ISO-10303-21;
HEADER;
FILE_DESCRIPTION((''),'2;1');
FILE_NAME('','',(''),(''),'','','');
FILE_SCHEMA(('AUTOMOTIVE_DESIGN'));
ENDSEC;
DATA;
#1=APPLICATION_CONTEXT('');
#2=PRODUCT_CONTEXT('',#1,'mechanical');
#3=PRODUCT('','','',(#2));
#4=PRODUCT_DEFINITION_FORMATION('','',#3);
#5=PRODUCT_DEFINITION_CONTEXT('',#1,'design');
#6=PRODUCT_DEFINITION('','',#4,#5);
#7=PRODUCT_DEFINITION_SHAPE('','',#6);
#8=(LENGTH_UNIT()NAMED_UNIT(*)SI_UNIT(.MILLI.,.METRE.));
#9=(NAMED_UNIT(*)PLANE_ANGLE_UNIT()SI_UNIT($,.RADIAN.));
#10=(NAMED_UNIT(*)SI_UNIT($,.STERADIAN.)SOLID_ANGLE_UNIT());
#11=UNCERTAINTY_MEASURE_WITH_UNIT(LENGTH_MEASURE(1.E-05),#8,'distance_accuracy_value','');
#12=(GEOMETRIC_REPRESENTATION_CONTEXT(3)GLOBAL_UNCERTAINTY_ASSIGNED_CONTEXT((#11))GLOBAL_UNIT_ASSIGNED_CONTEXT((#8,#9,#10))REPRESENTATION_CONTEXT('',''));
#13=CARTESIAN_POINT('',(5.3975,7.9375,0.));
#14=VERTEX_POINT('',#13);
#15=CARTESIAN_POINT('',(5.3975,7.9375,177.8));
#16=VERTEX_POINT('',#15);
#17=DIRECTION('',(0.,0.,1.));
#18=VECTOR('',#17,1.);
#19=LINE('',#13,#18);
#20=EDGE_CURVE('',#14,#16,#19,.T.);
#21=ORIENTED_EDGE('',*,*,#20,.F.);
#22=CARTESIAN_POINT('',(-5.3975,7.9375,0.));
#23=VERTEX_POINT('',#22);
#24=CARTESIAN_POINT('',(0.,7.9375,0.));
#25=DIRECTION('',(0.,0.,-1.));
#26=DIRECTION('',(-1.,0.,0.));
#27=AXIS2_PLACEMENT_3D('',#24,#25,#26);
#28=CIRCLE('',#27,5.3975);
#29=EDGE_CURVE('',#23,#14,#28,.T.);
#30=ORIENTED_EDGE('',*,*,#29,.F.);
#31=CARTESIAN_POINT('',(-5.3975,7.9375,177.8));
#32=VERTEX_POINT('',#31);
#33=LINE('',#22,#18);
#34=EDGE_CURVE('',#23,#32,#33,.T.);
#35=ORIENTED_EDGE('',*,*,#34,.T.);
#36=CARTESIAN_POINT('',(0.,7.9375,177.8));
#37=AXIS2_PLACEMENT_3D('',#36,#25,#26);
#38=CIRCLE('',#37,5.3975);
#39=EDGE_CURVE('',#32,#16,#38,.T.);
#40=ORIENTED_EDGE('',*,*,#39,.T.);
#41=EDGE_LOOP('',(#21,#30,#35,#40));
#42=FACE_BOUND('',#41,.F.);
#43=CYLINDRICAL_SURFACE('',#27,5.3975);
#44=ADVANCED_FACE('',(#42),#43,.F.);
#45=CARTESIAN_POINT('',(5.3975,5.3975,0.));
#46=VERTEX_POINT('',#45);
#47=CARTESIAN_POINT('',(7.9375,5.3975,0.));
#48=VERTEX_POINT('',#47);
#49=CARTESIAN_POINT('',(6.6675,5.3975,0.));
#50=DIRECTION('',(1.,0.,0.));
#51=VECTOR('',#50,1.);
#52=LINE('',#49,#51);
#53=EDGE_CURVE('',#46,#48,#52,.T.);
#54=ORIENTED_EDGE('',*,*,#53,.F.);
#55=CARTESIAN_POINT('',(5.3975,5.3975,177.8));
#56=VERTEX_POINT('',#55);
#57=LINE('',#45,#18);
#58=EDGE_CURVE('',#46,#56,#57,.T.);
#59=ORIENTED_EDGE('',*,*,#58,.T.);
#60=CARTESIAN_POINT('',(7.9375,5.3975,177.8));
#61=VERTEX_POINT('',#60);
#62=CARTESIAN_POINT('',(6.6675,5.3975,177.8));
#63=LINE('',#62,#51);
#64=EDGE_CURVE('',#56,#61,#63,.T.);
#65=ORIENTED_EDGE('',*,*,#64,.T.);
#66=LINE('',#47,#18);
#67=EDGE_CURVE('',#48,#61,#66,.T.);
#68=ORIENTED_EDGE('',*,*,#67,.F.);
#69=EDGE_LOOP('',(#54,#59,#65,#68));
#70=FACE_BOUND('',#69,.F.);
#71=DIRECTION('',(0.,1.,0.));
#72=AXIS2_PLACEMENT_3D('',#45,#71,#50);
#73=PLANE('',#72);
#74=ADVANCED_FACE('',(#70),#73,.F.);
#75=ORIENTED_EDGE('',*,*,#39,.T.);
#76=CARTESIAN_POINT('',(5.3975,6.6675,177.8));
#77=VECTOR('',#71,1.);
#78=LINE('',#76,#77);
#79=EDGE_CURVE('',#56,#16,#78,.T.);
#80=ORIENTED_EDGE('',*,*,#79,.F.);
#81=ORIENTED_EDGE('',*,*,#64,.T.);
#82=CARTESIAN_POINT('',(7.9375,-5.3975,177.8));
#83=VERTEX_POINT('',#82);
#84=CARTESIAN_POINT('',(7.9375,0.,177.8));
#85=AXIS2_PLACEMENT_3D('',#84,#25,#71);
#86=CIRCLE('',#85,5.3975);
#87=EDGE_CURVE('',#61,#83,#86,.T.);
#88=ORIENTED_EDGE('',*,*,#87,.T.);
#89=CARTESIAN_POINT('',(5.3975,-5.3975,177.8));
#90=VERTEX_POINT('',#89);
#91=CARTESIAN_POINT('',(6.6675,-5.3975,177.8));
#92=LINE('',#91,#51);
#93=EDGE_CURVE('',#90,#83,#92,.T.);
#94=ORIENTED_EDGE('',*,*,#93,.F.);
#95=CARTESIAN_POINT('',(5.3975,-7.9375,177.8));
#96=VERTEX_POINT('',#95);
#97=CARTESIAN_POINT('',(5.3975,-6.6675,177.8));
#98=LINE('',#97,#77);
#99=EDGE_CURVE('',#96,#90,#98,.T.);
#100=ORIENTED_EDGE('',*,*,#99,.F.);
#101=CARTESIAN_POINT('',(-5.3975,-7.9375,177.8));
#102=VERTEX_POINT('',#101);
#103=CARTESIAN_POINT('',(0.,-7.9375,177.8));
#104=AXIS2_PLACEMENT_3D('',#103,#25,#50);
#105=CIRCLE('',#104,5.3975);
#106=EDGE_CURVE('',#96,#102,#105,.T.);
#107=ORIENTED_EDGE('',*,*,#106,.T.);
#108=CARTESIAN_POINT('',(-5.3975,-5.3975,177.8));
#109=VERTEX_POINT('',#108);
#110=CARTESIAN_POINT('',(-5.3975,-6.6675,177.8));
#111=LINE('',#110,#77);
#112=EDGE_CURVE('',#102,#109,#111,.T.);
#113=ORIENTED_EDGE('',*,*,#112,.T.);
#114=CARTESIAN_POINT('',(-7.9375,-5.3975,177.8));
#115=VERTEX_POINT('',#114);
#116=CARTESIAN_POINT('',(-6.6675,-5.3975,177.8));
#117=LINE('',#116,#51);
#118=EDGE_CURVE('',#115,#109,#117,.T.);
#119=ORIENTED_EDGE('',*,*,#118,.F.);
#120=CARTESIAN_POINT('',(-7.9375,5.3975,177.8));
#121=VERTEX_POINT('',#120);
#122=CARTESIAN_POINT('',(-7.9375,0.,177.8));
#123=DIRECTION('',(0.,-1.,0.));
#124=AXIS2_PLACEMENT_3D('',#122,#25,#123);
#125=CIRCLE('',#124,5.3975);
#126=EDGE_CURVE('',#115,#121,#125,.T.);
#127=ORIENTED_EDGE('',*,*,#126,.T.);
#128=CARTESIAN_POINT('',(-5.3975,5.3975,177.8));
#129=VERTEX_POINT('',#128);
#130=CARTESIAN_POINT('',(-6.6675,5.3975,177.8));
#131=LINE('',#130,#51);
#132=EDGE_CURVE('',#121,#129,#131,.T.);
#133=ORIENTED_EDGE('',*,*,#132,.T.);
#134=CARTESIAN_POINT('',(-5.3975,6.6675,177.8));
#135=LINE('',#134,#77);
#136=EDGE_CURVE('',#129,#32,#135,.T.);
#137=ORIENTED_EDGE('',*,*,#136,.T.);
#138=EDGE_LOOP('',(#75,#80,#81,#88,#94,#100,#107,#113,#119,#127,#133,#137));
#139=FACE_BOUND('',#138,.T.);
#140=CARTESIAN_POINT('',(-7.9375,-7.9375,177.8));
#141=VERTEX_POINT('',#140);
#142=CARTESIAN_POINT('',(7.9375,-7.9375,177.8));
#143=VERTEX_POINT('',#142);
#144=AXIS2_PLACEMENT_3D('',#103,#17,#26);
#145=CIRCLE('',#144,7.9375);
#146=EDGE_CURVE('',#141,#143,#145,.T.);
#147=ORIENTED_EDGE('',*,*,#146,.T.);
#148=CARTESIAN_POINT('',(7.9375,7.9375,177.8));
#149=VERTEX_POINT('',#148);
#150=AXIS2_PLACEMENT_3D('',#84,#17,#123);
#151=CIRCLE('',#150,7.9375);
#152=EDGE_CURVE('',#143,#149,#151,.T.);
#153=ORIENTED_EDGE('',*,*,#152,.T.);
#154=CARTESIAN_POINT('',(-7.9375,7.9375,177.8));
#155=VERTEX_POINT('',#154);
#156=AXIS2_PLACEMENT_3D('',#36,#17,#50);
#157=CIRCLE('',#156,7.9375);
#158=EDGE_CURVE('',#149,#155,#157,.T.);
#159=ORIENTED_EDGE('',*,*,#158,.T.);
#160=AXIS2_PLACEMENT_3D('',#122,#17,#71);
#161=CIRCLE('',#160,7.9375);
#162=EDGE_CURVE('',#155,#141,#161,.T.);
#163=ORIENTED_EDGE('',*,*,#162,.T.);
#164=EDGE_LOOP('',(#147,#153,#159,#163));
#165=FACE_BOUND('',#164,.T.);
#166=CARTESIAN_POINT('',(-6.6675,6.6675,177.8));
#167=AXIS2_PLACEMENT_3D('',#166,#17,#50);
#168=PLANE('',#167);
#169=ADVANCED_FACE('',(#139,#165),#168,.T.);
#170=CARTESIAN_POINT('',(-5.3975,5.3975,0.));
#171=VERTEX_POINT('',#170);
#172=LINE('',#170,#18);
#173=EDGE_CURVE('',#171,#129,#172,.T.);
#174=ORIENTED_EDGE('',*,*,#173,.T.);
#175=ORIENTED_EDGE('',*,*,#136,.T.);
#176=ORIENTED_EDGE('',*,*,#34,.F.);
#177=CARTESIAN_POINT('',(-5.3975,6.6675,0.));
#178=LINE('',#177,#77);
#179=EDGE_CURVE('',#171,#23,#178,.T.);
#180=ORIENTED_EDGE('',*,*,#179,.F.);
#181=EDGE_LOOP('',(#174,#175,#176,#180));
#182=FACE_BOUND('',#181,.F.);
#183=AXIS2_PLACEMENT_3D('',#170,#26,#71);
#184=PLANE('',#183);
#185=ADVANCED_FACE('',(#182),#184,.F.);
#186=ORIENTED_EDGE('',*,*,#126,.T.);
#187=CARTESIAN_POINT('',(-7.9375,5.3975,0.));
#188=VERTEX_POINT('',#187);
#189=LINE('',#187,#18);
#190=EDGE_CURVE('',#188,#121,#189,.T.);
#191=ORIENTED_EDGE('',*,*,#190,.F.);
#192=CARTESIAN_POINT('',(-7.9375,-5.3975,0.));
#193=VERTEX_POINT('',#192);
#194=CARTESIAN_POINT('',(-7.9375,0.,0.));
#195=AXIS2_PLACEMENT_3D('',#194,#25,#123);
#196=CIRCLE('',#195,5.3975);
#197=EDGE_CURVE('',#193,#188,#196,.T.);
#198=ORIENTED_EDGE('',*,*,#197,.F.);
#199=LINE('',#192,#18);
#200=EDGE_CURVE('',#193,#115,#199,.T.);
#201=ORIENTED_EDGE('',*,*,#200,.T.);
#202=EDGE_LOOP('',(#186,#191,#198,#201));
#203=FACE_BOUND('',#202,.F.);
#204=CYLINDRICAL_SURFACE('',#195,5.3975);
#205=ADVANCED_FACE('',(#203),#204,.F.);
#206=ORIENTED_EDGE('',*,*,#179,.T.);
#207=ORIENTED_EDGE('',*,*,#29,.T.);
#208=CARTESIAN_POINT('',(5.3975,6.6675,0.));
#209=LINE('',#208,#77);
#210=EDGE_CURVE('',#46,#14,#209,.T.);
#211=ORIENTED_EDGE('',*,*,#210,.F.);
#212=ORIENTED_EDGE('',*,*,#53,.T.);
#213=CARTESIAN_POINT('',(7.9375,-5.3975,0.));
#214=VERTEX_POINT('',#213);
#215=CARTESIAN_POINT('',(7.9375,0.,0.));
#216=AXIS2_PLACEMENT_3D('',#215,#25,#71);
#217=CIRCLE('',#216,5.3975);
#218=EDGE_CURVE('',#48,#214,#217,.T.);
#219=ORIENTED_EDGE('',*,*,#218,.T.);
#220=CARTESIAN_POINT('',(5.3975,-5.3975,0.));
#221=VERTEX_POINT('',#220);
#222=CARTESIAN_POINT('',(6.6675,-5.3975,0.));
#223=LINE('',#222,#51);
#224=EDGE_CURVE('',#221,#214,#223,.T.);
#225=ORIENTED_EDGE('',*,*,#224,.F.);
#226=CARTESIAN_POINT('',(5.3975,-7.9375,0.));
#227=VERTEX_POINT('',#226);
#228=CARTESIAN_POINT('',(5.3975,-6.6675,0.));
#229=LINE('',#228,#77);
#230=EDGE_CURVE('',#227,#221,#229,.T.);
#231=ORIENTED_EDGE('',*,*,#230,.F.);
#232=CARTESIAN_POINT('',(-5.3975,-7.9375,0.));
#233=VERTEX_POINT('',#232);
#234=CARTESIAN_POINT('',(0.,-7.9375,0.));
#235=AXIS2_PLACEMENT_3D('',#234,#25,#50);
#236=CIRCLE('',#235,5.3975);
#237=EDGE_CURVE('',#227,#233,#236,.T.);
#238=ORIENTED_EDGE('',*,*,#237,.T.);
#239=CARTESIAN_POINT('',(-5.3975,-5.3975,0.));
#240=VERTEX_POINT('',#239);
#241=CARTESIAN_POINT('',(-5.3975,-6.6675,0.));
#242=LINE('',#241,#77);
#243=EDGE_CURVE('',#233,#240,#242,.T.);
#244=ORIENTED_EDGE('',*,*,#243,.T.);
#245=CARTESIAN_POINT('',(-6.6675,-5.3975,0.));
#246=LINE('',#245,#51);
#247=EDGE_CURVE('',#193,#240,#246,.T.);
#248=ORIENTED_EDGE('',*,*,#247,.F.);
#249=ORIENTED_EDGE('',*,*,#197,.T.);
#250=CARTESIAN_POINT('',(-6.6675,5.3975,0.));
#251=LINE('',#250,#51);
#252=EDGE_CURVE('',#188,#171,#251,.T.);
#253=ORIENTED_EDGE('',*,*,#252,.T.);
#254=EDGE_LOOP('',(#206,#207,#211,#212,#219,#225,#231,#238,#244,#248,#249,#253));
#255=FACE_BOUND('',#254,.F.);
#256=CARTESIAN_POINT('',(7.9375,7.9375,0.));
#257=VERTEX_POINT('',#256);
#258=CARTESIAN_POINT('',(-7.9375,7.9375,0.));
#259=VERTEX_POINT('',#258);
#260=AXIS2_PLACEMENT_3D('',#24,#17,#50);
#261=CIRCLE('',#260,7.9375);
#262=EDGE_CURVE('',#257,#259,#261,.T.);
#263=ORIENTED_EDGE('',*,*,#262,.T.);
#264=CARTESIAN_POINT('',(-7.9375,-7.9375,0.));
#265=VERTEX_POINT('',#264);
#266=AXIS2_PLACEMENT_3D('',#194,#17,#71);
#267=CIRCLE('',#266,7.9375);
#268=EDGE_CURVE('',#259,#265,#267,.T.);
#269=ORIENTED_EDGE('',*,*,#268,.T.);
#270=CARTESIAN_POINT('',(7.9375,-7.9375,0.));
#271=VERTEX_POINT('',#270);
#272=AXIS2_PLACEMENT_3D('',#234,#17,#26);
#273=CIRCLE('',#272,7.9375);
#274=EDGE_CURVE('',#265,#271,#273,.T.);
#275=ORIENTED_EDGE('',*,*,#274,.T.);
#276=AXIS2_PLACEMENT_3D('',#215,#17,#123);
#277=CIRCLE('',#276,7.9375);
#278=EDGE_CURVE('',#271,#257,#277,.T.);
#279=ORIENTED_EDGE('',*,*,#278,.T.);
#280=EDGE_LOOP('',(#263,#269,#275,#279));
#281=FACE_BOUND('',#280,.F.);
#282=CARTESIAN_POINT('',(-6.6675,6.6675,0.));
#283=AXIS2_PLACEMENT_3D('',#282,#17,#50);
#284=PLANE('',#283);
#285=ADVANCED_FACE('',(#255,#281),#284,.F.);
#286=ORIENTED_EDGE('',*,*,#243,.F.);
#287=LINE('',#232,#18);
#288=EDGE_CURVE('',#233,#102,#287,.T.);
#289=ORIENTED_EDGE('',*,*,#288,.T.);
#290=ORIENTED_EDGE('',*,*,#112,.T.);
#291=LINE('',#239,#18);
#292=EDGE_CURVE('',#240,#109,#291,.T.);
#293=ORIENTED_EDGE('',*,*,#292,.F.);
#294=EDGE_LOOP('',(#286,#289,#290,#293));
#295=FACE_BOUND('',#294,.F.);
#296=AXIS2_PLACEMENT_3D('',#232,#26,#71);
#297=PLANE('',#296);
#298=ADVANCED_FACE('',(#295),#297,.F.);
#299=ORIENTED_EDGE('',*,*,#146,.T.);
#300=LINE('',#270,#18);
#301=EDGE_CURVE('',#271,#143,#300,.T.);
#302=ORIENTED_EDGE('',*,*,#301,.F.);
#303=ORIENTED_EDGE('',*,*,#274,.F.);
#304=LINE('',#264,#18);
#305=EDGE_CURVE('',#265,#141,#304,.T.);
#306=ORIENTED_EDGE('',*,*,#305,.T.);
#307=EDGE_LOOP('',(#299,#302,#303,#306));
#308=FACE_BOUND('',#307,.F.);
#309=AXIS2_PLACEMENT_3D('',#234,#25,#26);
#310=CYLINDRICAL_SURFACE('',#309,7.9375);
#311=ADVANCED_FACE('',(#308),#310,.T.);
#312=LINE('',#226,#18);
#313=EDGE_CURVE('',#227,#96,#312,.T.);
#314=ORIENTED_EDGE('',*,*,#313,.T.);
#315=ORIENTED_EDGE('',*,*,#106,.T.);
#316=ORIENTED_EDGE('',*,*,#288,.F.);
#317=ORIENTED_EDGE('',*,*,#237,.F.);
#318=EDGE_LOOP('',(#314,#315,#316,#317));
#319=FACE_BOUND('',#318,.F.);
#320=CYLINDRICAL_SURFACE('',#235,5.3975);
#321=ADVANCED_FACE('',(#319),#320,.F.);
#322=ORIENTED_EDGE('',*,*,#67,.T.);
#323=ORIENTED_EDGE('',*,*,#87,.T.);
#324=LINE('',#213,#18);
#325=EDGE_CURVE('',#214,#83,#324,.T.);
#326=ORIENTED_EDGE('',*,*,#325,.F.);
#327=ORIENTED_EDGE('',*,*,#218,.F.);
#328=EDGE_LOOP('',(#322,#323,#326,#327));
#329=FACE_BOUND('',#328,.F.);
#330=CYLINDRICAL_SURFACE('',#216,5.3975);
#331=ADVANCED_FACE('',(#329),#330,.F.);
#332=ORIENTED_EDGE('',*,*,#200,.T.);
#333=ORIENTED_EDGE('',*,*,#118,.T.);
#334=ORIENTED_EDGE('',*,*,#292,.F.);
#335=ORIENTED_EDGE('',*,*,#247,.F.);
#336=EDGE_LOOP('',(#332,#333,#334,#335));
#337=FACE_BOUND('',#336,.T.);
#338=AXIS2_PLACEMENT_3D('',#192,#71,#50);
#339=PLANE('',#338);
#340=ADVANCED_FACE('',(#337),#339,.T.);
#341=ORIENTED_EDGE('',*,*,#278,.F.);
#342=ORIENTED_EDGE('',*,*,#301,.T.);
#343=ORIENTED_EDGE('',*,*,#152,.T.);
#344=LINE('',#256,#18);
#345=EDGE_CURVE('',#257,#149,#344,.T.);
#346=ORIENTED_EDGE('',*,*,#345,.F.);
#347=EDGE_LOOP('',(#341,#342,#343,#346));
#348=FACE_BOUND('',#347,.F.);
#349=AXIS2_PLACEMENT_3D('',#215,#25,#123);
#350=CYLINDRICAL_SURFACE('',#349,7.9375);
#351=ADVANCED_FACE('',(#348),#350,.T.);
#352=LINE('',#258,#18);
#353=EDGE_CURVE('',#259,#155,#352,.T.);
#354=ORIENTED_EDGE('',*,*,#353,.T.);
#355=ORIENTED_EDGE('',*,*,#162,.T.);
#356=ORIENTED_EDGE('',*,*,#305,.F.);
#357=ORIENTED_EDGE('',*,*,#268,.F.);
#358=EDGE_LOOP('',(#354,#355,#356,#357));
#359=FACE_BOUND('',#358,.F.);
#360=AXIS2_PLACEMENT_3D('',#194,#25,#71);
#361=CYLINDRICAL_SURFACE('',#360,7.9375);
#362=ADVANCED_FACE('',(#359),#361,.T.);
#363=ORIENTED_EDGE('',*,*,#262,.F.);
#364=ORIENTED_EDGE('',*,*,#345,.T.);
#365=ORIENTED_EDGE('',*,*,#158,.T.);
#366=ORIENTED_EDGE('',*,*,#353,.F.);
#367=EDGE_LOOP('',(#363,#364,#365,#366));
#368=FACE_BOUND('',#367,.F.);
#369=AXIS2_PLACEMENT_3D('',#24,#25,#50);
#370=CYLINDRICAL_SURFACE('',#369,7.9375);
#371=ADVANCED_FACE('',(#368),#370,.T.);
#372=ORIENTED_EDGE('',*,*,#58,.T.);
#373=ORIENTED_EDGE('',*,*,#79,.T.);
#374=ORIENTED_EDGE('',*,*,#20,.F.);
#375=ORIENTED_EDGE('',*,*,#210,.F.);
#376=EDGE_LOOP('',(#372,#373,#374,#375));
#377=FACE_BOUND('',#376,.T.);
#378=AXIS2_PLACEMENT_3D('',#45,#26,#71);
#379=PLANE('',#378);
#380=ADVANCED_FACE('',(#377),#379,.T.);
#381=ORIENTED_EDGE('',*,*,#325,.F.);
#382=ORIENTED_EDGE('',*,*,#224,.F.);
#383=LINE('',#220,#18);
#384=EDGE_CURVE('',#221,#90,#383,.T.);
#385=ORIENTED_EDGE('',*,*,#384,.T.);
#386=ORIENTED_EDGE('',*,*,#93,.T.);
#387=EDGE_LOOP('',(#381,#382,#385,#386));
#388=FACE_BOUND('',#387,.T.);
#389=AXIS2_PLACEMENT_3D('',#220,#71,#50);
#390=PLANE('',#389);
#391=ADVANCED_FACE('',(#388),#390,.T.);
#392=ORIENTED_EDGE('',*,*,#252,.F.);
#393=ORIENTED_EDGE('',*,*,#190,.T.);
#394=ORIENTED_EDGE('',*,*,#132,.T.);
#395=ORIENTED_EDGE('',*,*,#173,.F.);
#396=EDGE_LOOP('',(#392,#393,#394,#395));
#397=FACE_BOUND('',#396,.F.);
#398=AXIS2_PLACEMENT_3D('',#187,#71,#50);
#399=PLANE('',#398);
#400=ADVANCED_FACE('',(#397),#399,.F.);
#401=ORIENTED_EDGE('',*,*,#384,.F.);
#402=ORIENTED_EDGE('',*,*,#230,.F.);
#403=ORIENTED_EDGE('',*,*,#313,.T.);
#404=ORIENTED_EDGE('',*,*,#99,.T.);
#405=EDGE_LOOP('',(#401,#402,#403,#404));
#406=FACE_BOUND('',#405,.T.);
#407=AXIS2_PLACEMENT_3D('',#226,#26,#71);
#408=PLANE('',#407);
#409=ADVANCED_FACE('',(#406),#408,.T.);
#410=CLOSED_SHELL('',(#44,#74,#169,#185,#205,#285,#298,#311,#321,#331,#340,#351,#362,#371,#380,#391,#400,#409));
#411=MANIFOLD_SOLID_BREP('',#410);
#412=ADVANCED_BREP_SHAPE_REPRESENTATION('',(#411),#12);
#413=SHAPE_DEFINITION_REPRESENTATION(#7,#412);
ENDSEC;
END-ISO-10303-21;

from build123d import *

# Parameters (mm, degrees)
F0_W     = 2.54
F0_H     = 2.54
F1_DEPTH = 177.8


with BuildPart() as f1:
    # F0 (on Top) → F1 (new body)
    with BuildSketch(Plane.XY):
        with Locations((-6.6675, 6.6675)):
            Rectangle(F0_W, F0_H)
        with Locations((6.6675, 6.6675)):
            Rectangle(F0_W, F0_H)
        with BuildLine():
            ThreePointArc((7.9375, 7.9375), (0, 15.875), (-7.9375, 7.9375))
            Line((-7.9375, 7.9375), (-5.3975, 7.9375))
            ThreePointArc((-5.3975, 7.9375), (0, 13.335), (5.3975, 7.9375))
            Line((5.3975, 7.9375), (7.9375, 7.9375))
        make_face()
        with BuildLine():
            Line((-5.3975, -7.9375), (-7.9375, -7.9375))
            ThreePointArc((-7.9375, -7.9375), (0, -15.875), (7.9375, -7.9375))
            Line((7.9375, -7.9375), (5.3975, -7.9375))
            ThreePointArc((5.3975, -7.9375), (0, -13.335), (-5.3975, -7.9375))
        make_face()
        with BuildLine():
            Line((-7.9375, 5.3975), (-7.9375, 7.9375))
            ThreePointArc((-7.9375, 7.9375), (-15.875, 0), (-7.9375, -7.9375))
            Line((-7.9375, -7.9375), (-7.9375, -5.3975))
            ThreePointArc((-7.9375, -5.3975), (-13.335, 0), (-7.9375, 5.3975))
        make_face()
        with BuildLine():
            ThreePointArc((7.9375, -7.9375), (15.875, 0), (7.9375, 7.9375))
            Line((7.9375, 7.9375), (7.9375, 5.3975))
            ThreePointArc((7.9375, 5.3975), (13.335, 0), (7.9375, -5.3975))
            Line((7.9375, -5.3975), (7.9375, -7.9375))
        make_face()
        with Locations((-6.6675, -6.6675)):
            Rectangle(F0_W, F0_H)
        with Locations((6.6675, -6.6675)):
            Rectangle(F0_W, F0_H)
    extrude(amount=F1_DEPTH)


solid = f1.part
